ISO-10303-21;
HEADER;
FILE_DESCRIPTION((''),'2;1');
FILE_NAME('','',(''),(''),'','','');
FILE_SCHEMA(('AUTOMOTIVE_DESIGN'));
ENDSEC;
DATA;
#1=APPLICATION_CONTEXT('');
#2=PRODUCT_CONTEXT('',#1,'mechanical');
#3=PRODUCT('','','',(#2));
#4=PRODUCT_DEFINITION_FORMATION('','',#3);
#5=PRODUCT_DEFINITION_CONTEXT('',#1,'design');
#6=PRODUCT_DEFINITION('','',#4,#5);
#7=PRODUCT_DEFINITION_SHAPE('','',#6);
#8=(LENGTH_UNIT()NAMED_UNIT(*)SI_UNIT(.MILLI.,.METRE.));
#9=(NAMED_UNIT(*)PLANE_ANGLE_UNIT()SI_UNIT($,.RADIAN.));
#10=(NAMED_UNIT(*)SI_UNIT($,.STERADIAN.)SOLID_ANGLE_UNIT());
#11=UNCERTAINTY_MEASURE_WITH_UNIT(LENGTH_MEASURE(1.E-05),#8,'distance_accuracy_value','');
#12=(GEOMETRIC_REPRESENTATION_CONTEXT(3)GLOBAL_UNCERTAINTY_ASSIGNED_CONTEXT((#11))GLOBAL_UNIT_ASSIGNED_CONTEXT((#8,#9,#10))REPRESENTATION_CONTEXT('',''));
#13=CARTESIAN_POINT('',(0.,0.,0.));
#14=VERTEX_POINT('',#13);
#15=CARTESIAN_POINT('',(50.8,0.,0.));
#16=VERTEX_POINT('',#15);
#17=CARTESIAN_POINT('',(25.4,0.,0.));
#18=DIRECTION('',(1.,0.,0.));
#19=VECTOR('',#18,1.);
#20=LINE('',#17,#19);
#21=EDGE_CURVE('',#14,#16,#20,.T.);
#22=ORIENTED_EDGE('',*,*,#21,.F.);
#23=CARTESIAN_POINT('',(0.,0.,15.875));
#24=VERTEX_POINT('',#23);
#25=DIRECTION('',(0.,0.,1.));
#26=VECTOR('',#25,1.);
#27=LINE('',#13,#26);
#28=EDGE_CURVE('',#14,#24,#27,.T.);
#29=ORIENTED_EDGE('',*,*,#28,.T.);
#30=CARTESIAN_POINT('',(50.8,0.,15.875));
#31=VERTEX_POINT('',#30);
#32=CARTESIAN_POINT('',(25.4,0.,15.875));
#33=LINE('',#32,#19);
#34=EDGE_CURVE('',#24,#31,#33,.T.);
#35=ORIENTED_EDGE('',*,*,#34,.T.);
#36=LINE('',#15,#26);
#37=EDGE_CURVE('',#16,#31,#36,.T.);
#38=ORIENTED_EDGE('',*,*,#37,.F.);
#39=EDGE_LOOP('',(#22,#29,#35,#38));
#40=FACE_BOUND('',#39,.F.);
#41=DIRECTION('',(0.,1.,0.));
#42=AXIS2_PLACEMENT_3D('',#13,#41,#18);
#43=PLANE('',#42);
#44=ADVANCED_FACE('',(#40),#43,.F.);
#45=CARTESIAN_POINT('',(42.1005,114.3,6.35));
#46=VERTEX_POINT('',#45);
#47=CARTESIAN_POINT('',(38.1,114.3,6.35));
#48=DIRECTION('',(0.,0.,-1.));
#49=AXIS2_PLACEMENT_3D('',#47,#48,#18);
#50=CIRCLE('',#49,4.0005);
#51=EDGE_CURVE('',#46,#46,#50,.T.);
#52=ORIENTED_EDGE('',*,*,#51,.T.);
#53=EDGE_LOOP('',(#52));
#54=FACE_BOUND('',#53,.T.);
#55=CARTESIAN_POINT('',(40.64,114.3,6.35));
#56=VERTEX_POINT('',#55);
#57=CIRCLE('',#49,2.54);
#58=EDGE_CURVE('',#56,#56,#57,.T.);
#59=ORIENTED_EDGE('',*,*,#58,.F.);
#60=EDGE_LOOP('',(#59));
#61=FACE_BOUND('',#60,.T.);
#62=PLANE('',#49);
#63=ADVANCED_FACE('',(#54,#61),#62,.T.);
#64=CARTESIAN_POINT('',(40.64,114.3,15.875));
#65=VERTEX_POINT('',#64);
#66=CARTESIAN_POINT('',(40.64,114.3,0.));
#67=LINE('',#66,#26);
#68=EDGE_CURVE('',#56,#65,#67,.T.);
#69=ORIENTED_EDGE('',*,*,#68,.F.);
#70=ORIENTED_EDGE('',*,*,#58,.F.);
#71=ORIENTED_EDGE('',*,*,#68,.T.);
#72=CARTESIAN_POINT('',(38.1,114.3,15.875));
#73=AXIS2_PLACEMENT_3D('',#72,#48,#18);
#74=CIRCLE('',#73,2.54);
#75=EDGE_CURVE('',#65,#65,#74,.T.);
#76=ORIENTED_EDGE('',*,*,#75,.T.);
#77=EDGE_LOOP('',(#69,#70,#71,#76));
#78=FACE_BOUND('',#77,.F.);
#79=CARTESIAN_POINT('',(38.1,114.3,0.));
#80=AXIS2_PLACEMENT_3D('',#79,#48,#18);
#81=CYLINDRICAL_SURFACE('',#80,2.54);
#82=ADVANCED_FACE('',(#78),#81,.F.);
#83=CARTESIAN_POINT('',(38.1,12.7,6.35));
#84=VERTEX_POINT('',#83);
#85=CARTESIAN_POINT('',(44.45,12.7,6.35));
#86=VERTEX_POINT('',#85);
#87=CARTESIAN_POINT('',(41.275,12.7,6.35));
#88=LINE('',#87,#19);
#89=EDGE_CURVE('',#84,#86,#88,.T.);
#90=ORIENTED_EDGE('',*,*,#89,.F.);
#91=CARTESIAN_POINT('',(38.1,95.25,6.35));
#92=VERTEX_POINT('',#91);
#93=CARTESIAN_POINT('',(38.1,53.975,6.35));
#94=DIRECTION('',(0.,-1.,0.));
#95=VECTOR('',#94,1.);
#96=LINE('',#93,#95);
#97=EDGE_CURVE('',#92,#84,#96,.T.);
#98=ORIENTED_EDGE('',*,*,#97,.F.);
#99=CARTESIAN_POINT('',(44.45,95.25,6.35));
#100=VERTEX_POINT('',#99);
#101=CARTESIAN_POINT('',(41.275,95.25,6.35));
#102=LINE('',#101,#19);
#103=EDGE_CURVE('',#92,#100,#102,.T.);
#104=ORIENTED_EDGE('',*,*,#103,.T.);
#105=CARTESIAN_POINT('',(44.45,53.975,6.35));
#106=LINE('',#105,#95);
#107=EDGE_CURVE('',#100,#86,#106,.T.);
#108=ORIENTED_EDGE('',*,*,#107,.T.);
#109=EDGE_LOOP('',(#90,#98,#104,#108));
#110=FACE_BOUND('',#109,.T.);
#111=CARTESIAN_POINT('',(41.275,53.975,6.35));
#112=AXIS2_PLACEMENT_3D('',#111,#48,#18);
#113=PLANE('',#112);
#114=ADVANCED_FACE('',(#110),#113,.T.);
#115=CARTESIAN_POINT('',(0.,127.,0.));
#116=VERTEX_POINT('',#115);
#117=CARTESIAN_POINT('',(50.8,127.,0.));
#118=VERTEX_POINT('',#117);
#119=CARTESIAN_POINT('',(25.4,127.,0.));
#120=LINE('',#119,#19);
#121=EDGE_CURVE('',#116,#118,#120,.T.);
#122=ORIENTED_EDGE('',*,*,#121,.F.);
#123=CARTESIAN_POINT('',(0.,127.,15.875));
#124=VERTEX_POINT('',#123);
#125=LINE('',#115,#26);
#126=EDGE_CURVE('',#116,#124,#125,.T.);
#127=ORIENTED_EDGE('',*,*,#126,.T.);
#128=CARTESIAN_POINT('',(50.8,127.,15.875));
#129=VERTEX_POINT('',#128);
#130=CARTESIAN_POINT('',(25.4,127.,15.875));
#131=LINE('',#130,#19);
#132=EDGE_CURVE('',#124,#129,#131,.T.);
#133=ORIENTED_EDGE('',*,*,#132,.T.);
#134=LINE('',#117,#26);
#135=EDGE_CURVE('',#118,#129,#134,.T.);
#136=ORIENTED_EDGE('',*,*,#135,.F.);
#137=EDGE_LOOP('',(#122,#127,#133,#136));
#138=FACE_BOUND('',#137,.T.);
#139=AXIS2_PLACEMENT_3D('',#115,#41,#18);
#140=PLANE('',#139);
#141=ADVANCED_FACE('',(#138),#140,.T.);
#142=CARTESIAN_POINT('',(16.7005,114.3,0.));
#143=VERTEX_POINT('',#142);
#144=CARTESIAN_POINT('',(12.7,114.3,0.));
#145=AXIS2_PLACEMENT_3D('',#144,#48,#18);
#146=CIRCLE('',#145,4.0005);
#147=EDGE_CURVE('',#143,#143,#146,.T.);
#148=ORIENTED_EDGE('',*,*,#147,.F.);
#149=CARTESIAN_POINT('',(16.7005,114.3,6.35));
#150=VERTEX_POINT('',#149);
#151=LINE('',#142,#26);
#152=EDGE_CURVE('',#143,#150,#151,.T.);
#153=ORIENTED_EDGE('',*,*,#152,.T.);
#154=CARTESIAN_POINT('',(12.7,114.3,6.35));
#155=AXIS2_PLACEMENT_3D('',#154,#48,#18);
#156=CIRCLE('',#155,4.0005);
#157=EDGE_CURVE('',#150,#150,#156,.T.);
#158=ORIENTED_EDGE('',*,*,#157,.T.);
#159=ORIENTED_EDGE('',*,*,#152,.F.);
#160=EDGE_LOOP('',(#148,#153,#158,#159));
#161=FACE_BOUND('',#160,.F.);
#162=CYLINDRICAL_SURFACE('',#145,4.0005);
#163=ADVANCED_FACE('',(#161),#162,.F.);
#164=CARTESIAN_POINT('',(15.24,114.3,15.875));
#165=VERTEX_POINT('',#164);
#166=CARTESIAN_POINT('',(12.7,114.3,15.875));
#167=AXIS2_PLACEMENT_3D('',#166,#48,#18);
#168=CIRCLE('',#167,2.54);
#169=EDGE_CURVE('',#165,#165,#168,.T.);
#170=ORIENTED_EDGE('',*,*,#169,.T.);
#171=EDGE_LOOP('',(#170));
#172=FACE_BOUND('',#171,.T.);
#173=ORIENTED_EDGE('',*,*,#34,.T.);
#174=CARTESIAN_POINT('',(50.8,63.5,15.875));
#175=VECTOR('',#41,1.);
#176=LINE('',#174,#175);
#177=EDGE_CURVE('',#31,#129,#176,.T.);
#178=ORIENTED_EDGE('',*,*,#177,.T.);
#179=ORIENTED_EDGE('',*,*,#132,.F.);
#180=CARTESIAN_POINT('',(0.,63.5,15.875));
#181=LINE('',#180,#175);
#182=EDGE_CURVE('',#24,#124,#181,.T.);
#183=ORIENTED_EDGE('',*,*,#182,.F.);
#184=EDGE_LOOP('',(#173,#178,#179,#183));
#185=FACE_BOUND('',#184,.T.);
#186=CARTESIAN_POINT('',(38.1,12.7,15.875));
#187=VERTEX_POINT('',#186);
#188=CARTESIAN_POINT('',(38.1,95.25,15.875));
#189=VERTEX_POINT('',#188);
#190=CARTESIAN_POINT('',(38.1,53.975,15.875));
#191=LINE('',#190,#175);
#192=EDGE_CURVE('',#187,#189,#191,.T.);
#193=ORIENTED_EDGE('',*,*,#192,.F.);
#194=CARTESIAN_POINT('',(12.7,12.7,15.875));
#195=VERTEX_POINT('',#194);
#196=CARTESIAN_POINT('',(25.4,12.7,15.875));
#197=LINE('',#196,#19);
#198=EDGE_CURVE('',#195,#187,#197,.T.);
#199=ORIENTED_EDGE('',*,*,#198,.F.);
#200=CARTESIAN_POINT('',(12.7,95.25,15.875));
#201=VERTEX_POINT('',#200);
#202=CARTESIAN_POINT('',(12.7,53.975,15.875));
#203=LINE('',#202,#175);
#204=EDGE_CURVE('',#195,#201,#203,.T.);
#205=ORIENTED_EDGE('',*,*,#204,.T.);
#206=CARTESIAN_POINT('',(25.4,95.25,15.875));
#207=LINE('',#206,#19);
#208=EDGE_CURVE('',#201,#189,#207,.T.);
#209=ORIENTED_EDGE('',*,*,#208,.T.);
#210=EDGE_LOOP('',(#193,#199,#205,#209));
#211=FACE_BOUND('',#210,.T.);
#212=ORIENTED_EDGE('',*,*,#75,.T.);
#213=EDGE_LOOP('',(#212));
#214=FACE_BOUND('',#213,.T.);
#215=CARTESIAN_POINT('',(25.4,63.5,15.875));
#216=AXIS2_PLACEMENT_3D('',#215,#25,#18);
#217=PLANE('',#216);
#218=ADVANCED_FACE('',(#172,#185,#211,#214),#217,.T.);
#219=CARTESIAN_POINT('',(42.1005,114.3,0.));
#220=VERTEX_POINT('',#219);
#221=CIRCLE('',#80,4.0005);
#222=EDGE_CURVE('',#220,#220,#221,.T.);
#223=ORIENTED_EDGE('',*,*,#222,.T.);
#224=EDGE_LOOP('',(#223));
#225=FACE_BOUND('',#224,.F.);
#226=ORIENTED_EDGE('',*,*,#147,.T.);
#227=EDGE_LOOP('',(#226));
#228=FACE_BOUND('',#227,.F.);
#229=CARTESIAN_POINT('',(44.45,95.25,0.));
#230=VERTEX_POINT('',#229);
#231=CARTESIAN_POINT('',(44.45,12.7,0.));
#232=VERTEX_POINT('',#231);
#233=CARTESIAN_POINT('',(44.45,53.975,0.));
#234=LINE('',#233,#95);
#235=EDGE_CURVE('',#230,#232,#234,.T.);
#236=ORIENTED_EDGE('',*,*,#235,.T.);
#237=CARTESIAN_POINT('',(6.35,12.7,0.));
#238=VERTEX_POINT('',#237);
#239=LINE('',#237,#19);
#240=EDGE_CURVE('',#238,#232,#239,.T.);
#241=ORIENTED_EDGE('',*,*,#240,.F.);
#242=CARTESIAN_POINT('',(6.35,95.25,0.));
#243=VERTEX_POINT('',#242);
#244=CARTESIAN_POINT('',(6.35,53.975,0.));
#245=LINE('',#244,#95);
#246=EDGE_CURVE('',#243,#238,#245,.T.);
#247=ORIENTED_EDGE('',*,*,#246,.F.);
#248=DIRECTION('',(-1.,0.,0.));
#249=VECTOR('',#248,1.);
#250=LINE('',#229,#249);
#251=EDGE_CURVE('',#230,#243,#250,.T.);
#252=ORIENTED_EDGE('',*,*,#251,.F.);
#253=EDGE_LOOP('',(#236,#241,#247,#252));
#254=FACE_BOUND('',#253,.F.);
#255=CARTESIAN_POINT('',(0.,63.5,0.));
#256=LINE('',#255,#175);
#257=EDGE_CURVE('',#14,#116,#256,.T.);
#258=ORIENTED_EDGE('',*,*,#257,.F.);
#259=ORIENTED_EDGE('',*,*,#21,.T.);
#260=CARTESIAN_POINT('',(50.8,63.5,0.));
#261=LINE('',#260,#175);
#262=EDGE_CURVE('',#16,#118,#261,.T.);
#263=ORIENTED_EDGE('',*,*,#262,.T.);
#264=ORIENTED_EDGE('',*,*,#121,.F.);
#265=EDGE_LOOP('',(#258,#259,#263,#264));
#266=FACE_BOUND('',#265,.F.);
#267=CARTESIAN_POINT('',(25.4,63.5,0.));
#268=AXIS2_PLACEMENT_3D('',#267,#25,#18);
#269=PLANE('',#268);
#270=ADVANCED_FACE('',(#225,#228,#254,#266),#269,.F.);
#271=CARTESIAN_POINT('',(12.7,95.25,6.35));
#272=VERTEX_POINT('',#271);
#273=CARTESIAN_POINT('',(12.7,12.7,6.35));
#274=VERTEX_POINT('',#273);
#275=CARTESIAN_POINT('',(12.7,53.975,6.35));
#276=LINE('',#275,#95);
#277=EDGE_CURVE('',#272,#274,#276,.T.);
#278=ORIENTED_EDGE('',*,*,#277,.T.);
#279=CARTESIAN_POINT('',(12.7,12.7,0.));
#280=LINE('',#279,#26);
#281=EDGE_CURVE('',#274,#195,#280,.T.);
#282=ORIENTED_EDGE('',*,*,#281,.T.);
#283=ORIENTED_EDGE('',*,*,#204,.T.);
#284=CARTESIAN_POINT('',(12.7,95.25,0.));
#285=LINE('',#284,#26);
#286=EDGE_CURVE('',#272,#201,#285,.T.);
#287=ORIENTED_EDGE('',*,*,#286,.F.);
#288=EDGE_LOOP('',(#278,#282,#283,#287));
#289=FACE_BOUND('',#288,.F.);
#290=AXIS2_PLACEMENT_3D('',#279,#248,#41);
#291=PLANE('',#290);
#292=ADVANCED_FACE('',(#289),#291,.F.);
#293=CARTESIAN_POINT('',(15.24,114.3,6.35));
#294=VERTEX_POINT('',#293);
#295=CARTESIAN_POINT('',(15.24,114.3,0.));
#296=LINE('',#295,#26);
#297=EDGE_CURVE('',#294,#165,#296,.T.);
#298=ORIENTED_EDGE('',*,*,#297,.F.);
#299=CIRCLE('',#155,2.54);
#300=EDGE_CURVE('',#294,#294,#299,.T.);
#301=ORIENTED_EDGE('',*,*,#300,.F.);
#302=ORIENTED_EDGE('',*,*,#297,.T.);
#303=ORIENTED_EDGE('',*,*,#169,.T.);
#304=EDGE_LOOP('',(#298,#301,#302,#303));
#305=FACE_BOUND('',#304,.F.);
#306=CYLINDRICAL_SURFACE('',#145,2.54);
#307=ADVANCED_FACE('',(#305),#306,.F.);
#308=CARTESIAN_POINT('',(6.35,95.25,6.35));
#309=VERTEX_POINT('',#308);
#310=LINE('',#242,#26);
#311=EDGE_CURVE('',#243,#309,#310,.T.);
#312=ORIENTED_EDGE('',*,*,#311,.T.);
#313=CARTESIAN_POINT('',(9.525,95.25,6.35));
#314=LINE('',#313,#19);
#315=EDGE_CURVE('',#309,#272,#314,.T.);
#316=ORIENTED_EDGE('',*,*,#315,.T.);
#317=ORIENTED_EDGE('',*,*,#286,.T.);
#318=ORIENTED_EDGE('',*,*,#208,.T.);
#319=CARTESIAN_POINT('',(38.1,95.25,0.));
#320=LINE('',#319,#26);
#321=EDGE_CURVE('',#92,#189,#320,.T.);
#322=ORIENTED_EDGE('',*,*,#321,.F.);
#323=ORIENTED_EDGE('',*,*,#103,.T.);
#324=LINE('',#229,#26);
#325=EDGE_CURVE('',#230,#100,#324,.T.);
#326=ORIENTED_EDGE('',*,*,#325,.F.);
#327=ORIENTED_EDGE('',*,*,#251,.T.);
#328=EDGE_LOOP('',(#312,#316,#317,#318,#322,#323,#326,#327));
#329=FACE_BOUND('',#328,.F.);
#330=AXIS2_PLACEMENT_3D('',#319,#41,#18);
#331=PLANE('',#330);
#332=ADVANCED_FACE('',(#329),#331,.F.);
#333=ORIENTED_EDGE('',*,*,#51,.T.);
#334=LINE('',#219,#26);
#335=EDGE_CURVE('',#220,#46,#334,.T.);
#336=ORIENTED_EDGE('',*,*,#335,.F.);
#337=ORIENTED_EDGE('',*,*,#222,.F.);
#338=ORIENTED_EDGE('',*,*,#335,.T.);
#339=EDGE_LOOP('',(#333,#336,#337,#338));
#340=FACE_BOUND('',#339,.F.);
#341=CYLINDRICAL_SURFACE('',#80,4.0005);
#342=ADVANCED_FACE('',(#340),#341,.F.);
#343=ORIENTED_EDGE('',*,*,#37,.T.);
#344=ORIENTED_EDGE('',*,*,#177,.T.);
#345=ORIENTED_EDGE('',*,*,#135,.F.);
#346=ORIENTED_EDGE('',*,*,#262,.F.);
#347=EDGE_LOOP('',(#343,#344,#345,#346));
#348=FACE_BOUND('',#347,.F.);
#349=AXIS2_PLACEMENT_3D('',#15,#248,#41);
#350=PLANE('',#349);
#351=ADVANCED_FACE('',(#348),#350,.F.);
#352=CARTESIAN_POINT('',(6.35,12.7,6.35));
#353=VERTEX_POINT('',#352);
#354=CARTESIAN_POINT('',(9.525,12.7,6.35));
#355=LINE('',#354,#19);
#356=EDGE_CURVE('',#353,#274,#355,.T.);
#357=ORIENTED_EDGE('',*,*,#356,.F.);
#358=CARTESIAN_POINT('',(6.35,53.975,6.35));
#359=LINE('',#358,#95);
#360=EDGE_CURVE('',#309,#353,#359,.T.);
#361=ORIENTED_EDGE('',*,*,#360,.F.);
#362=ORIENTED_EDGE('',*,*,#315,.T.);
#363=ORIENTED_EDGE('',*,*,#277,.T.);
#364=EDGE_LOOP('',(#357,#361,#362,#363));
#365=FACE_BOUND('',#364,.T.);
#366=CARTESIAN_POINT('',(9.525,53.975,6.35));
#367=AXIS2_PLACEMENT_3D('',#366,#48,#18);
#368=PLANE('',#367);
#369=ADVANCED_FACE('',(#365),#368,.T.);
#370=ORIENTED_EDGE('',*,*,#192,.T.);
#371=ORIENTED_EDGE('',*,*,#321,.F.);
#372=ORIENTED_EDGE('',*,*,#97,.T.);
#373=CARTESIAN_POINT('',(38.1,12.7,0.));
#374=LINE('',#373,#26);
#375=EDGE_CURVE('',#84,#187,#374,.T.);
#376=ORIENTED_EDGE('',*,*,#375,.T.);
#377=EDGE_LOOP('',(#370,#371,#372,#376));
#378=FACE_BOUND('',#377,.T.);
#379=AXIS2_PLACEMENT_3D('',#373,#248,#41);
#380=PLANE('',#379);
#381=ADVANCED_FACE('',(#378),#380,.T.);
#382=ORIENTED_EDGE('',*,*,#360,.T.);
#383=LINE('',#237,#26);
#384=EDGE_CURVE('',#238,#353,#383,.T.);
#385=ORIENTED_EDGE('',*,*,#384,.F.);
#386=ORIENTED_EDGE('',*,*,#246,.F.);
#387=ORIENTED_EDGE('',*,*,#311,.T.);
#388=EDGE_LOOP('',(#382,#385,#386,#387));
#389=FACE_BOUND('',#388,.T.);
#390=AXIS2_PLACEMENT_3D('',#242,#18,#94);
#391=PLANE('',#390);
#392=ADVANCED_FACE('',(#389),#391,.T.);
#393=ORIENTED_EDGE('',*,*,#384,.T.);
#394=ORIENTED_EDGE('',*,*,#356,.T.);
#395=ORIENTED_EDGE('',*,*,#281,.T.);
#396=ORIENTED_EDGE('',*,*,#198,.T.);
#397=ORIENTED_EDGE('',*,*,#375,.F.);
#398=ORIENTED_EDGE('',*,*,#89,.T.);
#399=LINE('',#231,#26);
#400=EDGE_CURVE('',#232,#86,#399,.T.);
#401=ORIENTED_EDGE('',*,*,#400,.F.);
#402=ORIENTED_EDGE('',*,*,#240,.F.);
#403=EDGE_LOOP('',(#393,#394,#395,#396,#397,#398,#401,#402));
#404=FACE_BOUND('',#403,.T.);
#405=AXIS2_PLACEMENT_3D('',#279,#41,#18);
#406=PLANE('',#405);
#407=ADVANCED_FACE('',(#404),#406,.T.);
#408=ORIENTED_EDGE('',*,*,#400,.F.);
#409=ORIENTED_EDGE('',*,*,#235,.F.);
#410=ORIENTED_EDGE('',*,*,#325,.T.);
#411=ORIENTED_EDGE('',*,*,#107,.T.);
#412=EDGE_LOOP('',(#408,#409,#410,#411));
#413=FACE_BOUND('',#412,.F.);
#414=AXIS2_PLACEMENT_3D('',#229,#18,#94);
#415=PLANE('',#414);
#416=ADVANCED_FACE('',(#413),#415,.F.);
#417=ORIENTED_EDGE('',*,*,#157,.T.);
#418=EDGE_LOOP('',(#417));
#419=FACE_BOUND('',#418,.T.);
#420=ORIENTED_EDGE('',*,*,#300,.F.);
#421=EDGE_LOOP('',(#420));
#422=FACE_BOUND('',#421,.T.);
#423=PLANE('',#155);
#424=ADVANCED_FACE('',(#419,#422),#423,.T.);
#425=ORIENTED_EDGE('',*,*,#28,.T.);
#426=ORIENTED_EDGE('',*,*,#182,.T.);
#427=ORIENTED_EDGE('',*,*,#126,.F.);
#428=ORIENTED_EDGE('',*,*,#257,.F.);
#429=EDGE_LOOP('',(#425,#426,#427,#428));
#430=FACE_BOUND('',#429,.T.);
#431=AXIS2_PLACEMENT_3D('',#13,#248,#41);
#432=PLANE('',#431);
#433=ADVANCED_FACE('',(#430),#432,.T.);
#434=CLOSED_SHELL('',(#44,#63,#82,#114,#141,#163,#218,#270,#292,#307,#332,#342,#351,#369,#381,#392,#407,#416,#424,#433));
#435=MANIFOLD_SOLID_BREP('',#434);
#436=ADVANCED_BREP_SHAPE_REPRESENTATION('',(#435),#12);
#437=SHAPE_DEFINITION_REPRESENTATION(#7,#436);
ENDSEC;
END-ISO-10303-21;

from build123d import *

# Parameters (mm, degrees)
F0_W     = 50.8
F0_H     = 127
F0_W_2   = 25.4
F0_H_2   = 82.55
F1_DEPTH = 15.875
F2_W     = 6.35
F2_H     = 82.55
F3_DEPTH = 6.35
F4_R     = 2.54
F5_DEPTH = 15.876
F4_R_2   = 4.0005
F6_DEPTH = 6.35


with BuildPart() as f1:
    # F0 (on Top) → F1 (new body)
    with BuildSketch(Plane.XY):
        with Locations((25.4, 63.5)):
            Rectangle(F0_W, F0_H)
        with Locations((25.4, 53.975)):
            Rectangle(F0_W_2, F0_H_2, mode=Mode.SUBTRACT)
    extrude(amount=F1_DEPTH)

    # F2 (on face) → F3 (cut)
    with BuildSketch(Plane(origin=(0, 0, 0), x_dir=(1, 0, 0), z_dir=(0, 0, -1))):
        with Locations((41.275, -53.975)):
            Rectangle(F2_W, F2_H)
        with Locations((9.525, -53.975)):
            Rectangle(F2_W, F2_H)
    extrude(amount=-F3_DEPTH, mode=Mode.SUBTRACT)

    # F4 (on face) → F5 (cut, through all)
    with BuildSketch(Plane(origin=(0, 0, 0), x_dir=(1, 0, 0), z_dir=(0, 0, -1))):
        with Locations((38.1, -114.3)):
            Circle(F4_R)
        with Locations((12.7, -114.3)):
            Circle(F4_R)
    extrude(amount=-F5_DEPTH, mode=Mode.SUBTRACT)

    # F4 (on face) → F6 (cut)
    with BuildSketch(Plane(origin=(0, 0, 0), x_dir=(1, 0, 0), z_dir=(0, 0, -1))):
        with Locations((38.1, -114.3)):
            Circle(F4_R_2)
        with Locations((38.1, -114.3)):
            Circle(F4_R, mode=Mode.SUBTRACT)
        with Locations((12.7, -114.3)):
            Circle(F4_R_2)
        with Locations((12.7, -114.3)):
            Circle(F4_R, mode=Mode.SUBTRACT)
    extrude(amount=-F6_DEPTH, mode=Mode.SUBTRACT)


solid = f1.part
